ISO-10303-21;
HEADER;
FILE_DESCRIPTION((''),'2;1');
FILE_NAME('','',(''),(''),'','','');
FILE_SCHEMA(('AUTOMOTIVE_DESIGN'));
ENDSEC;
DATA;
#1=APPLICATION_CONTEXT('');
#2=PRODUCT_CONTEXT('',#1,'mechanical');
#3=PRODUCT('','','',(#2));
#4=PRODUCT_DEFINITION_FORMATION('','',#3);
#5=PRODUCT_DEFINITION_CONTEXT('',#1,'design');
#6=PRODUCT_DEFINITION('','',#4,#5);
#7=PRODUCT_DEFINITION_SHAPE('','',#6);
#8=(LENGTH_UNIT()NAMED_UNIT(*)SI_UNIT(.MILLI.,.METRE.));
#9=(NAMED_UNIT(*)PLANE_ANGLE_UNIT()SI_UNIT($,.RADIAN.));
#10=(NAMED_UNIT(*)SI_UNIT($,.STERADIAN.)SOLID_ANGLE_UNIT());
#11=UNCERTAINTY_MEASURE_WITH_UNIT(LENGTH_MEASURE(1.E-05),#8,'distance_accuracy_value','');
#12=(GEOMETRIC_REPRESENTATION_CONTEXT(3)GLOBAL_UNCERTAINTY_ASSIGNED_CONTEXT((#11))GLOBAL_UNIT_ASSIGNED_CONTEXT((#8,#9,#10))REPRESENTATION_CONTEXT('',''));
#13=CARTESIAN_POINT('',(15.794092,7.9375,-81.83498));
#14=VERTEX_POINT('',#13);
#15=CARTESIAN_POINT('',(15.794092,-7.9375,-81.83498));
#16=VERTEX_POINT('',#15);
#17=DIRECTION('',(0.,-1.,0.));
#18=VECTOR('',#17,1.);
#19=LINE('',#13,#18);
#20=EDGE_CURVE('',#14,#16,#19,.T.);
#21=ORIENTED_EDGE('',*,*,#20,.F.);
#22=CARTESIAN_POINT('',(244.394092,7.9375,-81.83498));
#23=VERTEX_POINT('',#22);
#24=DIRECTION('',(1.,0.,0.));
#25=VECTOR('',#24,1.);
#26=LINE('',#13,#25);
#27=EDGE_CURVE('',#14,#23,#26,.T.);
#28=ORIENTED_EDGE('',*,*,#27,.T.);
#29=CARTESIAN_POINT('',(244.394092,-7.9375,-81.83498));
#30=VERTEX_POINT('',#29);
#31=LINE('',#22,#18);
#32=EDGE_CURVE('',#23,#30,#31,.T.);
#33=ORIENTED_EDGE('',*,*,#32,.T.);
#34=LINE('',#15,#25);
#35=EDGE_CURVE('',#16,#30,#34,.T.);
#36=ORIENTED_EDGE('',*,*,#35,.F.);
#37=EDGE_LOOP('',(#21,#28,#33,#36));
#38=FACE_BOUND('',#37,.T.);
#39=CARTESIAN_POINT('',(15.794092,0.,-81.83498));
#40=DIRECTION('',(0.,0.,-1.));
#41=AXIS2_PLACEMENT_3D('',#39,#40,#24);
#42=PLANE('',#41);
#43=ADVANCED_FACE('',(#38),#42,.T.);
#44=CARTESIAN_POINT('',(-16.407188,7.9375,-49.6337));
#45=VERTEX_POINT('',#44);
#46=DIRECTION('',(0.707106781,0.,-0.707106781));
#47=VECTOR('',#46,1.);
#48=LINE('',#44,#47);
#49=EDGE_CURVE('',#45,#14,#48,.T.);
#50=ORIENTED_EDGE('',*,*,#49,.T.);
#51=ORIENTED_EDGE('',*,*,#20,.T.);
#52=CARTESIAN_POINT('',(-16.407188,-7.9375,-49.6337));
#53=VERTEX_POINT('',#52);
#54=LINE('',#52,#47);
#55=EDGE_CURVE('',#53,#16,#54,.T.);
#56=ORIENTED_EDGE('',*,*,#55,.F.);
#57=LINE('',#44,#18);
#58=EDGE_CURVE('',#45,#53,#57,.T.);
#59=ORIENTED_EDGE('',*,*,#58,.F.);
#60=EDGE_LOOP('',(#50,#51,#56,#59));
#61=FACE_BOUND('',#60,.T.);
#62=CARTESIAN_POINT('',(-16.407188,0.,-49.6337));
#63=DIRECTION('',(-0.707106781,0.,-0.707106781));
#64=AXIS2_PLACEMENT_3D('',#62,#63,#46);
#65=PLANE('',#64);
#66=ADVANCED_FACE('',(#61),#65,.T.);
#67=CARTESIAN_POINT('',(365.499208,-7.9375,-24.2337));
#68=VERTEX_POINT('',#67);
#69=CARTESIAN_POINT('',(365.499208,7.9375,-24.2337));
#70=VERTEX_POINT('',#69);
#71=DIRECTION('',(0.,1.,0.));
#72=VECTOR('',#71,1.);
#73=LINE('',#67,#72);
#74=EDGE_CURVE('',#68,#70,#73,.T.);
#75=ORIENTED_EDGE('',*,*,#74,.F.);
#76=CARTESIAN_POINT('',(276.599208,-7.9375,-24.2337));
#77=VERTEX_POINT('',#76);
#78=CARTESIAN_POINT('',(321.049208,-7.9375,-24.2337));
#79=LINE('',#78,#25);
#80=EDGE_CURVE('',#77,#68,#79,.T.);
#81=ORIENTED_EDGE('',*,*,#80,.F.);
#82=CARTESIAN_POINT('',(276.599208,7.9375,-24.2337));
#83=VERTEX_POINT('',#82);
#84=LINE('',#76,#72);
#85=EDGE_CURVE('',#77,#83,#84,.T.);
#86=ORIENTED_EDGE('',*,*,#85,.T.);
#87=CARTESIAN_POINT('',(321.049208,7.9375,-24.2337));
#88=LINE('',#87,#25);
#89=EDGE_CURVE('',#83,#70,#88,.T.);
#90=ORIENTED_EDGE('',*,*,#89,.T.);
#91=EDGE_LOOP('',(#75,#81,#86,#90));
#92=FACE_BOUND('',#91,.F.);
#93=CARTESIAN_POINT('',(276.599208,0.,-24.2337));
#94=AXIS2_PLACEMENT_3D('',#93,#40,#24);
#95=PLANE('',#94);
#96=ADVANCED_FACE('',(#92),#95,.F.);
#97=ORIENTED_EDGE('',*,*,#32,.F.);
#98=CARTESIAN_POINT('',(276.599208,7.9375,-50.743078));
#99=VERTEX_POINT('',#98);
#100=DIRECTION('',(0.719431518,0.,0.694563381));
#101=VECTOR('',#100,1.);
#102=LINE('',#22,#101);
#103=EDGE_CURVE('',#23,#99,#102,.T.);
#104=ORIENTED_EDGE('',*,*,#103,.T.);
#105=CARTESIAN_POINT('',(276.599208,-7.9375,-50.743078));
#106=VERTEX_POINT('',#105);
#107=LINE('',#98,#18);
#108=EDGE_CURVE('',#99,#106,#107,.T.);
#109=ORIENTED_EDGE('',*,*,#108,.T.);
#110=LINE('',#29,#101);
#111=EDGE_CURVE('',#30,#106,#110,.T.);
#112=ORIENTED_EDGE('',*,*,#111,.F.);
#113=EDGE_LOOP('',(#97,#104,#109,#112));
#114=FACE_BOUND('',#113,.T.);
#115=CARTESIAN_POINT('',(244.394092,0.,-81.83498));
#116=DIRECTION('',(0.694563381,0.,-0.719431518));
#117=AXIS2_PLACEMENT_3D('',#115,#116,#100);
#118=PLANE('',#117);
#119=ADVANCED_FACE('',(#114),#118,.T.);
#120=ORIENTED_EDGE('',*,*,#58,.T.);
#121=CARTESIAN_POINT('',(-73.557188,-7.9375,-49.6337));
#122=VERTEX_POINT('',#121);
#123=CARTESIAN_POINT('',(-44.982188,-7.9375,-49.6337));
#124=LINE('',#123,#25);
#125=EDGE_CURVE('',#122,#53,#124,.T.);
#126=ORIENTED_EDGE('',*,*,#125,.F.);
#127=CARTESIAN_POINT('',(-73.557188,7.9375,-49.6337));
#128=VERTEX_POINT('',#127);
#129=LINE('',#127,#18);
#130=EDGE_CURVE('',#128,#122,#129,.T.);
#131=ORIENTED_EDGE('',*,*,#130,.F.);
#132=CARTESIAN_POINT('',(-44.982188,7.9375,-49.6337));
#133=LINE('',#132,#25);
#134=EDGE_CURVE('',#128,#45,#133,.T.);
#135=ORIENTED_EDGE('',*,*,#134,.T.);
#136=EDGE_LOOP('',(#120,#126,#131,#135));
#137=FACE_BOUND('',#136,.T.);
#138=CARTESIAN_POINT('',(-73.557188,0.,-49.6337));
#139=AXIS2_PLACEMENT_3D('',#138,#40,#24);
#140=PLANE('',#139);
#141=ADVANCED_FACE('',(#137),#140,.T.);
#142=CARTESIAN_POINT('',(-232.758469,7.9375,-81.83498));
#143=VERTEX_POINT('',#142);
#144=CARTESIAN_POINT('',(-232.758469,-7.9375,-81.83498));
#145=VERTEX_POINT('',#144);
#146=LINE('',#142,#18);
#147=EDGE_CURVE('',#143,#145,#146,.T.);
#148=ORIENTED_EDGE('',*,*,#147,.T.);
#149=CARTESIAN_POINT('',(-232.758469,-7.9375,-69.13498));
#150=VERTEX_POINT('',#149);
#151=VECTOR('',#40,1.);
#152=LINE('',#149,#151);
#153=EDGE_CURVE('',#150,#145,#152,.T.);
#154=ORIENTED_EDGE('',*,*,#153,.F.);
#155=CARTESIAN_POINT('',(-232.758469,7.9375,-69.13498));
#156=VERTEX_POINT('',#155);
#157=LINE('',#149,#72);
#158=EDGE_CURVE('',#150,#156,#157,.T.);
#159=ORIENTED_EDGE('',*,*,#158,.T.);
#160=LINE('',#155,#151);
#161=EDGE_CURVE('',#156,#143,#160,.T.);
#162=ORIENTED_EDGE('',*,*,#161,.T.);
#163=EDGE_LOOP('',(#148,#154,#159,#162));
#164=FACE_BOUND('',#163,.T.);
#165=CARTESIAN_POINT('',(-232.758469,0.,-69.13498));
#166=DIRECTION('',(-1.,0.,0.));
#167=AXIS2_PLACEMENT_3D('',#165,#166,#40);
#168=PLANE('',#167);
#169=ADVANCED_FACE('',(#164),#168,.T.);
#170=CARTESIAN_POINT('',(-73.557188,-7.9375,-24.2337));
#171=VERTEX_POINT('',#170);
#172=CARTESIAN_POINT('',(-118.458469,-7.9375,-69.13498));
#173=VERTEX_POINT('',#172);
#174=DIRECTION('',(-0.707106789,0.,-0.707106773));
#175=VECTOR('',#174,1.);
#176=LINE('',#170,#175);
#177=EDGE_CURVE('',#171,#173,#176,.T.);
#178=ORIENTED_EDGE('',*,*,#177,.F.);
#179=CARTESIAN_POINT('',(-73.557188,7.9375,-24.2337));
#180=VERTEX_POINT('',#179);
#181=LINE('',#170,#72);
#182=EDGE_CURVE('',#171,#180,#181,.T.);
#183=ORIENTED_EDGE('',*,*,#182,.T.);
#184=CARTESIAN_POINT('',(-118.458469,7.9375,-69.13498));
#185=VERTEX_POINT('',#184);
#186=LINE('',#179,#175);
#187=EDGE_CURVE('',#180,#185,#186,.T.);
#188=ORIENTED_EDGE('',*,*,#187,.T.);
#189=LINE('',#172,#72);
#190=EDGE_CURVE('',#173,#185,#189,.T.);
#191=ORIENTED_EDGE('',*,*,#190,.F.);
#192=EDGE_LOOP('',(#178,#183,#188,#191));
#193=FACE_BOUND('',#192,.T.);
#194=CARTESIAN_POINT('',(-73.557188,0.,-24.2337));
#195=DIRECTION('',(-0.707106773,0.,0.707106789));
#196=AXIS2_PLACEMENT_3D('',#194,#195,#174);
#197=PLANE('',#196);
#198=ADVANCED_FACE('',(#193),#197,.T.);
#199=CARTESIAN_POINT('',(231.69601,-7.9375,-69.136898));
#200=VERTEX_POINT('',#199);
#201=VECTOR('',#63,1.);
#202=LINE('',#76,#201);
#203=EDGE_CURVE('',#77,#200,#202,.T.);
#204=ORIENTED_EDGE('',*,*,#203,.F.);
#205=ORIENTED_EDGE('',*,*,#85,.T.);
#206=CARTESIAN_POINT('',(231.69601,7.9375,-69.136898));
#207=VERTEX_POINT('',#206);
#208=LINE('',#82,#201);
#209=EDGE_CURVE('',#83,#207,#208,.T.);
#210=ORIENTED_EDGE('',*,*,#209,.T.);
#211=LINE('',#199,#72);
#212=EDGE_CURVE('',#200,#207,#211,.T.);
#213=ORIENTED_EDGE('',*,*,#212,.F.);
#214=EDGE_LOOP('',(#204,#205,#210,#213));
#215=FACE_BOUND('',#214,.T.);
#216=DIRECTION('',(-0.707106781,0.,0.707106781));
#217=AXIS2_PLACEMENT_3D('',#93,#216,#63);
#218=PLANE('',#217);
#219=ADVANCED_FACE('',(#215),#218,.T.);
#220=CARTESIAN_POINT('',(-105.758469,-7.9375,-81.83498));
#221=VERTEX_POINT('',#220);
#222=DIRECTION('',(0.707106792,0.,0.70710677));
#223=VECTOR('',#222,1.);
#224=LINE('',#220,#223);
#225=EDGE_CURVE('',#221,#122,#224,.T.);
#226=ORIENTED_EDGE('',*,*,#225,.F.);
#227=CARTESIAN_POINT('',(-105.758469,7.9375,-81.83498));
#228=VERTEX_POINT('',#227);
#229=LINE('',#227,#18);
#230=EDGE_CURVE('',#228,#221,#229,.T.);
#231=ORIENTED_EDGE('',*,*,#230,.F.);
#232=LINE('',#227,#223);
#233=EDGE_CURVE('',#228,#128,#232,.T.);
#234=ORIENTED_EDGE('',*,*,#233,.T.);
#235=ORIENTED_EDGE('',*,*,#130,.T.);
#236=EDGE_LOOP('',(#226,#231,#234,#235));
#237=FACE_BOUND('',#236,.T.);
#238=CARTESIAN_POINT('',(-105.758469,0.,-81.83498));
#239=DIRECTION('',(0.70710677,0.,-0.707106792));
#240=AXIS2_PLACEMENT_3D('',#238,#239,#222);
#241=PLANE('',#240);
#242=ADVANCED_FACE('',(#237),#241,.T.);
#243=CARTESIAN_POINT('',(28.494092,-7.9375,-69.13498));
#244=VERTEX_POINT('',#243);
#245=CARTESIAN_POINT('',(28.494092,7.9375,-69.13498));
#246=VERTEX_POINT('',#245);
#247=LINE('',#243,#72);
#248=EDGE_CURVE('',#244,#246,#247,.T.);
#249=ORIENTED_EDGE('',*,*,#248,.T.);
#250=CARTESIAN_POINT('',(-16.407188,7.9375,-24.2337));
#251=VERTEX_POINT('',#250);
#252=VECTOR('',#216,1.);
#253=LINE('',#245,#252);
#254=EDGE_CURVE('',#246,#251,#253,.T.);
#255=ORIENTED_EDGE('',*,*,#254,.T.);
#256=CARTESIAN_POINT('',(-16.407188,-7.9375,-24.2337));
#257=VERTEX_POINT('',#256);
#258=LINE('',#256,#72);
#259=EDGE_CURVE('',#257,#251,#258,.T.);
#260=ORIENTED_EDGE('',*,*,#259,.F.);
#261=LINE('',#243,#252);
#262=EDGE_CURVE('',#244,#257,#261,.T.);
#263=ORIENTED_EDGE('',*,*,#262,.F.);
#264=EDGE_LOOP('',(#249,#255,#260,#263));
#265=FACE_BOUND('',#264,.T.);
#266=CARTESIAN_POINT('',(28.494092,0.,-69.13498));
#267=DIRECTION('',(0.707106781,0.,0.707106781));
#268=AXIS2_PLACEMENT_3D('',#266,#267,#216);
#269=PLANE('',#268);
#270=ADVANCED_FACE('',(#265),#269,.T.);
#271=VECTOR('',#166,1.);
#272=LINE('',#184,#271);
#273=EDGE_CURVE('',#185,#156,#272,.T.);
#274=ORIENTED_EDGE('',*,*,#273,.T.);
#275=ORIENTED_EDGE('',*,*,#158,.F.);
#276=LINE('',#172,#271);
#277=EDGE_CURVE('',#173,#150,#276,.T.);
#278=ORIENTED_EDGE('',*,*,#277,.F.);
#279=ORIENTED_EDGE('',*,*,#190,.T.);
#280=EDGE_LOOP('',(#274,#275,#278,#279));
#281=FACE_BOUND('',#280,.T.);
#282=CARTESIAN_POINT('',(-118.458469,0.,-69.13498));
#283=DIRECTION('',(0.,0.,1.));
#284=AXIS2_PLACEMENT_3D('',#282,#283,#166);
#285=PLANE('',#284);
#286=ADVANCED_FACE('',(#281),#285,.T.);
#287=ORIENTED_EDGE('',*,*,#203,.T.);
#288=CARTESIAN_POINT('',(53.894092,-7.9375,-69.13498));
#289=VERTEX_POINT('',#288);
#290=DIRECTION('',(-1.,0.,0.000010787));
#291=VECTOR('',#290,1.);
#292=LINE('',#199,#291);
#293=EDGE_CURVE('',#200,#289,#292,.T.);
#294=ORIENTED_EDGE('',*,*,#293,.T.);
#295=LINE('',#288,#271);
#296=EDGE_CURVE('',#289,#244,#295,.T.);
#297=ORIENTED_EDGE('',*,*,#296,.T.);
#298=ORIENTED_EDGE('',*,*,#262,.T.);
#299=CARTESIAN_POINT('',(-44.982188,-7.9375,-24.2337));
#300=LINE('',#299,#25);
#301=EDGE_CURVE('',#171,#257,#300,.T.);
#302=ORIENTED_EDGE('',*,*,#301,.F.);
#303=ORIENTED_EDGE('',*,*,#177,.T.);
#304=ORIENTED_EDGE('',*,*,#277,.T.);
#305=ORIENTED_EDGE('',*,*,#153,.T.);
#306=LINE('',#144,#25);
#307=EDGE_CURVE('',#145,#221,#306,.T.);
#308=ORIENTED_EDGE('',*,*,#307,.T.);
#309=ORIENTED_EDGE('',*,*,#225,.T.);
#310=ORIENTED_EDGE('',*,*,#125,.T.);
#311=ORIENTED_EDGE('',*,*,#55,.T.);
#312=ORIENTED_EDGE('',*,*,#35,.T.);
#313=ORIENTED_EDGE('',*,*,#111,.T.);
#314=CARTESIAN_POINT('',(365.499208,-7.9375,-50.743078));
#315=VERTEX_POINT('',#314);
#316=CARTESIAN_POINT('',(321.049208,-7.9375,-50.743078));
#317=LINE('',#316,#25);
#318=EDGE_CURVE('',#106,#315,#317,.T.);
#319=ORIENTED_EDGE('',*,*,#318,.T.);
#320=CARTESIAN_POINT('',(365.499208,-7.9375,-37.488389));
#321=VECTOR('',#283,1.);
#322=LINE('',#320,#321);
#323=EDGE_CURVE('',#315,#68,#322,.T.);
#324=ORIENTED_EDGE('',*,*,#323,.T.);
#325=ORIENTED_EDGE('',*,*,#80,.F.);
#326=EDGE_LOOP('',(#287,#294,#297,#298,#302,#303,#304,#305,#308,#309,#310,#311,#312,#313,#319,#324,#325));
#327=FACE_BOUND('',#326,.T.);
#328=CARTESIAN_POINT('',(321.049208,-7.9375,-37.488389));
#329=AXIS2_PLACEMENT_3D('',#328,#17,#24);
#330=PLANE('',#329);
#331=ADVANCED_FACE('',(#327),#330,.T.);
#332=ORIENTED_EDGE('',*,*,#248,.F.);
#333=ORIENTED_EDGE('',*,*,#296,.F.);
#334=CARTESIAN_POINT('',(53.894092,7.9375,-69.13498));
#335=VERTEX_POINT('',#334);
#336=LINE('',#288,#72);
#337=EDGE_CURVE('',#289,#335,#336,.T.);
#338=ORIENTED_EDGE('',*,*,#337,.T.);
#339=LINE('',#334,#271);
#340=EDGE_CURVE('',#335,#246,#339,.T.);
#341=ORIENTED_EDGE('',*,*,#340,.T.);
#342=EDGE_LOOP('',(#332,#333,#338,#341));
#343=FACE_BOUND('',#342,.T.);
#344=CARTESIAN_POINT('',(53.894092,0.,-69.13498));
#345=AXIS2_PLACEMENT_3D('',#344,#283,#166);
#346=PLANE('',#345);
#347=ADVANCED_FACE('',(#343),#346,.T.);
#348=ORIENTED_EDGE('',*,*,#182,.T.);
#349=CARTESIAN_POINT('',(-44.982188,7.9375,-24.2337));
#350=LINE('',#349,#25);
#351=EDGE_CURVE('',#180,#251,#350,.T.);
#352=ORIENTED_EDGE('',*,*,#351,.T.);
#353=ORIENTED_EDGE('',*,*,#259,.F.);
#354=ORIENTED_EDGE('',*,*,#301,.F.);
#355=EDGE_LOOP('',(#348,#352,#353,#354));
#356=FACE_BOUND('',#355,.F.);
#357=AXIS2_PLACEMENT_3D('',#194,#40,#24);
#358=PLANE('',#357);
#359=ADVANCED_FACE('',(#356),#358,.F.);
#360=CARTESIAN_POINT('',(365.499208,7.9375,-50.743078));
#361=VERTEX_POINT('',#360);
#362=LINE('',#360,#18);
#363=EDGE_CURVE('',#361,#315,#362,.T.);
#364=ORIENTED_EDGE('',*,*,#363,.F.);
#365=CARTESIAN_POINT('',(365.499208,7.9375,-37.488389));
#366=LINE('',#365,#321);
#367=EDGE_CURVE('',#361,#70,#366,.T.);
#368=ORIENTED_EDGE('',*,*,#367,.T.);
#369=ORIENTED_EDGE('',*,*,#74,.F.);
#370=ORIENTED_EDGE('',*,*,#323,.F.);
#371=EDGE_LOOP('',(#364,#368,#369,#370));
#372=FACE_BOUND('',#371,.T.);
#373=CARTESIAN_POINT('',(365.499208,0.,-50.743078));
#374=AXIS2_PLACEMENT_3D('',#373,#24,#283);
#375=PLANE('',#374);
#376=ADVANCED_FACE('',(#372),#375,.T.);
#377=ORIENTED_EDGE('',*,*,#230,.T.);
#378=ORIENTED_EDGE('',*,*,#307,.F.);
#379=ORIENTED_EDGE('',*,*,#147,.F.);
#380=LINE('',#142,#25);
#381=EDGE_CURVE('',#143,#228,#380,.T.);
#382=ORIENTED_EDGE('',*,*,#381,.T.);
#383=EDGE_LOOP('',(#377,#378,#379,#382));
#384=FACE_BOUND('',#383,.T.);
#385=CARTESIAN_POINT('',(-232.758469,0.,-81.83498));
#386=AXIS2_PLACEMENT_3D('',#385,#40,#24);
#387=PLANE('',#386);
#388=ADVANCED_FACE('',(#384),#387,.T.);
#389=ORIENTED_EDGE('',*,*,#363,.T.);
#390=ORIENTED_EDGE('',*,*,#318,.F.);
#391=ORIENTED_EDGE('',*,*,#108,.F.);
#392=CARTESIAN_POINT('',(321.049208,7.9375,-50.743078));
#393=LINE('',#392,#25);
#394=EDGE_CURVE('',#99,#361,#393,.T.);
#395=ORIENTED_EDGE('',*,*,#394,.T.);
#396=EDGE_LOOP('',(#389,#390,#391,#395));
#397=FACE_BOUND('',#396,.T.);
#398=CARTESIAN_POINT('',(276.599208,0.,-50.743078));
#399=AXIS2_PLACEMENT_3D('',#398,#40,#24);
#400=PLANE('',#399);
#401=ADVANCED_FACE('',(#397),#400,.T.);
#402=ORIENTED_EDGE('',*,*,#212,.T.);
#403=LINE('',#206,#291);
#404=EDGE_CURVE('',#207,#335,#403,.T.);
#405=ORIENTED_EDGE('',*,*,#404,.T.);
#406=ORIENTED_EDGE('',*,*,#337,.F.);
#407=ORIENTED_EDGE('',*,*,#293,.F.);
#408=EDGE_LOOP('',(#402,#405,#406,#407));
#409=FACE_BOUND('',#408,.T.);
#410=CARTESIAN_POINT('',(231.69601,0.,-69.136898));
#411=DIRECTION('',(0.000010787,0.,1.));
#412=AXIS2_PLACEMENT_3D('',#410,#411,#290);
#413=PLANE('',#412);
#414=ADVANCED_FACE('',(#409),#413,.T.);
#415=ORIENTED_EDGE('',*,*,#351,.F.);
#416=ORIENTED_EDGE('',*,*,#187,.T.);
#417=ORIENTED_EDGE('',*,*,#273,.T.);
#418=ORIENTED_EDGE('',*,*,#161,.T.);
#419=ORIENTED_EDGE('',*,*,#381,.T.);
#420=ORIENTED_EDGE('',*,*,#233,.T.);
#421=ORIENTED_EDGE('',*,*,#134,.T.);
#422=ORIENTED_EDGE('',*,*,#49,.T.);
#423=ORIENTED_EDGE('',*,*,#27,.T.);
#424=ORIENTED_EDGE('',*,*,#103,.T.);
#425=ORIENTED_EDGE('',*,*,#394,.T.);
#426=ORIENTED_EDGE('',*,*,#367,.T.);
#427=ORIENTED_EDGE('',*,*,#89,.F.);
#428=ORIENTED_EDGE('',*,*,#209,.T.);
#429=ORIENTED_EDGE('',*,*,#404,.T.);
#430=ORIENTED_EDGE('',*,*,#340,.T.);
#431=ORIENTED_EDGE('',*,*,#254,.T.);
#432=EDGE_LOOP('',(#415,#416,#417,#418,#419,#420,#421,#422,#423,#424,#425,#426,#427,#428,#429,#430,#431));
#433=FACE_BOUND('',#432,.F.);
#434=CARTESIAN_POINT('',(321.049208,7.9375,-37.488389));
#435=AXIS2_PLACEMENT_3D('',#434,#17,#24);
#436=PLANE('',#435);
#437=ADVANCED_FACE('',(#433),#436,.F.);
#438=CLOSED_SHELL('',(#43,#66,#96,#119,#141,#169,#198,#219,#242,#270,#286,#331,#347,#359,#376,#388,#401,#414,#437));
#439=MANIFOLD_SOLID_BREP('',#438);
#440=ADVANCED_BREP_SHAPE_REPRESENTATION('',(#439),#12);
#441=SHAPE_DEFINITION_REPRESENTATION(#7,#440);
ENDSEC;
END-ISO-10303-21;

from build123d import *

# Parameters (mm, degrees)
F1_DEPTH = 7.9375
F2_DEPTH = 7.9375
F0_W     = 57.15
F0_H     = 25.4
F3_DEPTH = 7.9375
F4_DEPTH = 7.9375
F5_DEPTH = 7.9375
F6_DEPTH = 7.9375
F0_W_2   = 88.9
F0_H_2   = 26.509378
F7_DEPTH = 7.9375


with BuildPart() as f1:
    # F0 (on Front) → F1 (new body, symmetric)
    with BuildSketch(Plane.XZ):
        Polygon((-232.758469, -69.13498), (-232.758469, -81.83498), (-105.758469, -81.83498), (-118.458469, -69.13498), align=None)
    extrude(amount=F1_DEPTH, both=True)

    # F0 (on Front) → F2 (join, symmetric)
    with BuildSketch(Plane.XZ):
        Polygon((-118.458469, -69.13498), (-105.758469, -81.83498), (-73.557188, -49.6337), (-73.557188, -24.2337), align=None)
    extrude(amount=F2_DEPTH, both=True)

    # F0 (on Front) → F3 (join, symmetric)
    with BuildSketch(Plane.XZ):
        with Locations((-44.982188, -36.9337)):
            Rectangle(F0_W, F0_H)
    extrude(amount=F3_DEPTH, both=True)

    # F0 (on Front) → F4 (join, symmetric)
    with BuildSketch(Plane.XZ):
        Polygon((-16.407188, -24.2337), (-16.407188, -49.6337), (15.794092, -81.83498), (28.494092, -69.13498), align=None)
    extrude(amount=F4_DEPTH, both=True)

    # F0 (on Front) → F5 (join, symmetric)
    with BuildSketch(Plane.XZ):
        Polygon((28.494092, -69.13498), (15.794092, -81.83498), (53.894092, -81.83498), (244.394092, -81.83498), (231.69601, -69.136898), (53.894092, -69.13498), align=None)
    extrude(amount=F5_DEPTH, both=True)

    # F0 (on Front) → F6 (join, symmetric)
    with BuildSketch(Plane.XZ):
        Polygon((231.69601, -69.136898), (244.394092, -81.83498), (276.599208, -50.743078), (276.599208, -24.2337), align=None)
    extrude(amount=F6_DEPTH, both=True)

    # F0 (on Front) → F7 (join, symmetric)
    with BuildSketch(Plane.XZ):
        with Locations((321.049208, -37.488389)):
            Rectangle(F0_W_2, F0_H_2)
    extrude(amount=F7_DEPTH, both=True)


solid = f1.part
